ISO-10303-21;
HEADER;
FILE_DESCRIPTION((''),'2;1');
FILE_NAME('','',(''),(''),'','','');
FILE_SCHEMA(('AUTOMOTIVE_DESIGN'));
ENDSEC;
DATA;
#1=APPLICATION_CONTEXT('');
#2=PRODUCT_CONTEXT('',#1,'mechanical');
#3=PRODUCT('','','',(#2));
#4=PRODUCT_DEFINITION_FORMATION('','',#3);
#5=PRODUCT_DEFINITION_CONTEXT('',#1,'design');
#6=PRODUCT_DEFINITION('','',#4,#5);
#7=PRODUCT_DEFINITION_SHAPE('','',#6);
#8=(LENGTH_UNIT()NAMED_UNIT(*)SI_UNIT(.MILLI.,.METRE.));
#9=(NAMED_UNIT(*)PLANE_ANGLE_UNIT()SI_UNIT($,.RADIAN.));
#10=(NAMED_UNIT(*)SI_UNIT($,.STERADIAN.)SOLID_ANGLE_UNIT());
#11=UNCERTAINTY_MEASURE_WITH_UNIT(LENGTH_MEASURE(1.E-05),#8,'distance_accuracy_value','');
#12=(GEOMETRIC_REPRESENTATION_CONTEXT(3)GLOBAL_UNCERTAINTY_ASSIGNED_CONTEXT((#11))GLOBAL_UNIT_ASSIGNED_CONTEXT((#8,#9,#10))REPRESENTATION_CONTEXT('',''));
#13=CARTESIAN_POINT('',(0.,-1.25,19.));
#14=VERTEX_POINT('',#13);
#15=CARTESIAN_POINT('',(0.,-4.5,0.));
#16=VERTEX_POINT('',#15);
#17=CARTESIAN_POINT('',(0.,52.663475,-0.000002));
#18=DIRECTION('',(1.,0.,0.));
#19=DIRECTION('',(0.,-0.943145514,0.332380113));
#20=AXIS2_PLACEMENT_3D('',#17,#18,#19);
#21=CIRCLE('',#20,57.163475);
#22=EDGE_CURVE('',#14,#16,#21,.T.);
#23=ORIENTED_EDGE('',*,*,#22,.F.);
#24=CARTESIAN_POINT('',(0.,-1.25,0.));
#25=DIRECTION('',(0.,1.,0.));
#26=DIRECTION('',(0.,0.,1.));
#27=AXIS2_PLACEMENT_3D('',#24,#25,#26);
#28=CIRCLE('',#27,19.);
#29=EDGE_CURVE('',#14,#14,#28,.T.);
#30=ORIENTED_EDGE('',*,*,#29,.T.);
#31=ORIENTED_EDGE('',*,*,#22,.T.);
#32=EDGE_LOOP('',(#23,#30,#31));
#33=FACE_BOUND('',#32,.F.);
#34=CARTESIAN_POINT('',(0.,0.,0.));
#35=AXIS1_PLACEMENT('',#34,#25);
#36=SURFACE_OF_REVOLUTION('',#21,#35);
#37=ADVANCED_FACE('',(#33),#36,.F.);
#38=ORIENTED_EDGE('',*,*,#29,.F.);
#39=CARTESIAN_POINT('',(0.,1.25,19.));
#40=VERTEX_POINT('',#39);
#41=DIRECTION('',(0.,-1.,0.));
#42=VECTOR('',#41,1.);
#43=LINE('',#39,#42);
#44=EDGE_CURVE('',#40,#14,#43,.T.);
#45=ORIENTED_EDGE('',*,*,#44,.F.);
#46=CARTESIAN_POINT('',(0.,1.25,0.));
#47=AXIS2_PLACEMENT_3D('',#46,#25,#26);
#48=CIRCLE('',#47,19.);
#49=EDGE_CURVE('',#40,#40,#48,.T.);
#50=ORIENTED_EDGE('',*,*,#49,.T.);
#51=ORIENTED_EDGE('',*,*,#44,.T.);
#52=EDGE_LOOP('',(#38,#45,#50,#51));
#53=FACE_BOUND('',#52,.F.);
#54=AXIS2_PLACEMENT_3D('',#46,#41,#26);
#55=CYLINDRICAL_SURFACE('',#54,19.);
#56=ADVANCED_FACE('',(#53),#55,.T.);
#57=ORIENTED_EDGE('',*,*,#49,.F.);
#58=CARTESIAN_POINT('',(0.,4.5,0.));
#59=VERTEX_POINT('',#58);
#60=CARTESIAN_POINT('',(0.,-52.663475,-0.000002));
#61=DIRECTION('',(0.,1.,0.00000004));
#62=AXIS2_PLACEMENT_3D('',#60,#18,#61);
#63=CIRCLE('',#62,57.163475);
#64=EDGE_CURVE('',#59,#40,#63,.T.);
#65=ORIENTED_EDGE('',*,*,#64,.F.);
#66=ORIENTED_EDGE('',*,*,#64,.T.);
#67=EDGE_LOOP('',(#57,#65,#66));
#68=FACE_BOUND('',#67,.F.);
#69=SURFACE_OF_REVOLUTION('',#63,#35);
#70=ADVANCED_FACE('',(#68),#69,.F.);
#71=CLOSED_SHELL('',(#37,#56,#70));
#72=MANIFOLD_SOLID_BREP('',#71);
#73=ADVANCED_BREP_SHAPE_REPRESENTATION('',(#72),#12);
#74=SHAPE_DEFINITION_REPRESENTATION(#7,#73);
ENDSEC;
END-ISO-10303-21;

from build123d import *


with BuildPart() as f1:
    # F0 (on Right) → F1 (revolve)
    with BuildSketch(Plane.YZ):
        with BuildLine():
            Line((1.25, 19), (-1.25, 19))
            ThreePointArc((-1.25, 19), (-3.681642, 9.637978), (-4.5, 0))
            Line((-4.5, 0), (4.5, 0))
            ThreePointArc((4.5, 0), (3.681642, 9.637978), (1.25, 19))
        make_face()
    revolve(axis=Axis((0, 0, 0), (0, 1, 0)))


solid = f1.part
